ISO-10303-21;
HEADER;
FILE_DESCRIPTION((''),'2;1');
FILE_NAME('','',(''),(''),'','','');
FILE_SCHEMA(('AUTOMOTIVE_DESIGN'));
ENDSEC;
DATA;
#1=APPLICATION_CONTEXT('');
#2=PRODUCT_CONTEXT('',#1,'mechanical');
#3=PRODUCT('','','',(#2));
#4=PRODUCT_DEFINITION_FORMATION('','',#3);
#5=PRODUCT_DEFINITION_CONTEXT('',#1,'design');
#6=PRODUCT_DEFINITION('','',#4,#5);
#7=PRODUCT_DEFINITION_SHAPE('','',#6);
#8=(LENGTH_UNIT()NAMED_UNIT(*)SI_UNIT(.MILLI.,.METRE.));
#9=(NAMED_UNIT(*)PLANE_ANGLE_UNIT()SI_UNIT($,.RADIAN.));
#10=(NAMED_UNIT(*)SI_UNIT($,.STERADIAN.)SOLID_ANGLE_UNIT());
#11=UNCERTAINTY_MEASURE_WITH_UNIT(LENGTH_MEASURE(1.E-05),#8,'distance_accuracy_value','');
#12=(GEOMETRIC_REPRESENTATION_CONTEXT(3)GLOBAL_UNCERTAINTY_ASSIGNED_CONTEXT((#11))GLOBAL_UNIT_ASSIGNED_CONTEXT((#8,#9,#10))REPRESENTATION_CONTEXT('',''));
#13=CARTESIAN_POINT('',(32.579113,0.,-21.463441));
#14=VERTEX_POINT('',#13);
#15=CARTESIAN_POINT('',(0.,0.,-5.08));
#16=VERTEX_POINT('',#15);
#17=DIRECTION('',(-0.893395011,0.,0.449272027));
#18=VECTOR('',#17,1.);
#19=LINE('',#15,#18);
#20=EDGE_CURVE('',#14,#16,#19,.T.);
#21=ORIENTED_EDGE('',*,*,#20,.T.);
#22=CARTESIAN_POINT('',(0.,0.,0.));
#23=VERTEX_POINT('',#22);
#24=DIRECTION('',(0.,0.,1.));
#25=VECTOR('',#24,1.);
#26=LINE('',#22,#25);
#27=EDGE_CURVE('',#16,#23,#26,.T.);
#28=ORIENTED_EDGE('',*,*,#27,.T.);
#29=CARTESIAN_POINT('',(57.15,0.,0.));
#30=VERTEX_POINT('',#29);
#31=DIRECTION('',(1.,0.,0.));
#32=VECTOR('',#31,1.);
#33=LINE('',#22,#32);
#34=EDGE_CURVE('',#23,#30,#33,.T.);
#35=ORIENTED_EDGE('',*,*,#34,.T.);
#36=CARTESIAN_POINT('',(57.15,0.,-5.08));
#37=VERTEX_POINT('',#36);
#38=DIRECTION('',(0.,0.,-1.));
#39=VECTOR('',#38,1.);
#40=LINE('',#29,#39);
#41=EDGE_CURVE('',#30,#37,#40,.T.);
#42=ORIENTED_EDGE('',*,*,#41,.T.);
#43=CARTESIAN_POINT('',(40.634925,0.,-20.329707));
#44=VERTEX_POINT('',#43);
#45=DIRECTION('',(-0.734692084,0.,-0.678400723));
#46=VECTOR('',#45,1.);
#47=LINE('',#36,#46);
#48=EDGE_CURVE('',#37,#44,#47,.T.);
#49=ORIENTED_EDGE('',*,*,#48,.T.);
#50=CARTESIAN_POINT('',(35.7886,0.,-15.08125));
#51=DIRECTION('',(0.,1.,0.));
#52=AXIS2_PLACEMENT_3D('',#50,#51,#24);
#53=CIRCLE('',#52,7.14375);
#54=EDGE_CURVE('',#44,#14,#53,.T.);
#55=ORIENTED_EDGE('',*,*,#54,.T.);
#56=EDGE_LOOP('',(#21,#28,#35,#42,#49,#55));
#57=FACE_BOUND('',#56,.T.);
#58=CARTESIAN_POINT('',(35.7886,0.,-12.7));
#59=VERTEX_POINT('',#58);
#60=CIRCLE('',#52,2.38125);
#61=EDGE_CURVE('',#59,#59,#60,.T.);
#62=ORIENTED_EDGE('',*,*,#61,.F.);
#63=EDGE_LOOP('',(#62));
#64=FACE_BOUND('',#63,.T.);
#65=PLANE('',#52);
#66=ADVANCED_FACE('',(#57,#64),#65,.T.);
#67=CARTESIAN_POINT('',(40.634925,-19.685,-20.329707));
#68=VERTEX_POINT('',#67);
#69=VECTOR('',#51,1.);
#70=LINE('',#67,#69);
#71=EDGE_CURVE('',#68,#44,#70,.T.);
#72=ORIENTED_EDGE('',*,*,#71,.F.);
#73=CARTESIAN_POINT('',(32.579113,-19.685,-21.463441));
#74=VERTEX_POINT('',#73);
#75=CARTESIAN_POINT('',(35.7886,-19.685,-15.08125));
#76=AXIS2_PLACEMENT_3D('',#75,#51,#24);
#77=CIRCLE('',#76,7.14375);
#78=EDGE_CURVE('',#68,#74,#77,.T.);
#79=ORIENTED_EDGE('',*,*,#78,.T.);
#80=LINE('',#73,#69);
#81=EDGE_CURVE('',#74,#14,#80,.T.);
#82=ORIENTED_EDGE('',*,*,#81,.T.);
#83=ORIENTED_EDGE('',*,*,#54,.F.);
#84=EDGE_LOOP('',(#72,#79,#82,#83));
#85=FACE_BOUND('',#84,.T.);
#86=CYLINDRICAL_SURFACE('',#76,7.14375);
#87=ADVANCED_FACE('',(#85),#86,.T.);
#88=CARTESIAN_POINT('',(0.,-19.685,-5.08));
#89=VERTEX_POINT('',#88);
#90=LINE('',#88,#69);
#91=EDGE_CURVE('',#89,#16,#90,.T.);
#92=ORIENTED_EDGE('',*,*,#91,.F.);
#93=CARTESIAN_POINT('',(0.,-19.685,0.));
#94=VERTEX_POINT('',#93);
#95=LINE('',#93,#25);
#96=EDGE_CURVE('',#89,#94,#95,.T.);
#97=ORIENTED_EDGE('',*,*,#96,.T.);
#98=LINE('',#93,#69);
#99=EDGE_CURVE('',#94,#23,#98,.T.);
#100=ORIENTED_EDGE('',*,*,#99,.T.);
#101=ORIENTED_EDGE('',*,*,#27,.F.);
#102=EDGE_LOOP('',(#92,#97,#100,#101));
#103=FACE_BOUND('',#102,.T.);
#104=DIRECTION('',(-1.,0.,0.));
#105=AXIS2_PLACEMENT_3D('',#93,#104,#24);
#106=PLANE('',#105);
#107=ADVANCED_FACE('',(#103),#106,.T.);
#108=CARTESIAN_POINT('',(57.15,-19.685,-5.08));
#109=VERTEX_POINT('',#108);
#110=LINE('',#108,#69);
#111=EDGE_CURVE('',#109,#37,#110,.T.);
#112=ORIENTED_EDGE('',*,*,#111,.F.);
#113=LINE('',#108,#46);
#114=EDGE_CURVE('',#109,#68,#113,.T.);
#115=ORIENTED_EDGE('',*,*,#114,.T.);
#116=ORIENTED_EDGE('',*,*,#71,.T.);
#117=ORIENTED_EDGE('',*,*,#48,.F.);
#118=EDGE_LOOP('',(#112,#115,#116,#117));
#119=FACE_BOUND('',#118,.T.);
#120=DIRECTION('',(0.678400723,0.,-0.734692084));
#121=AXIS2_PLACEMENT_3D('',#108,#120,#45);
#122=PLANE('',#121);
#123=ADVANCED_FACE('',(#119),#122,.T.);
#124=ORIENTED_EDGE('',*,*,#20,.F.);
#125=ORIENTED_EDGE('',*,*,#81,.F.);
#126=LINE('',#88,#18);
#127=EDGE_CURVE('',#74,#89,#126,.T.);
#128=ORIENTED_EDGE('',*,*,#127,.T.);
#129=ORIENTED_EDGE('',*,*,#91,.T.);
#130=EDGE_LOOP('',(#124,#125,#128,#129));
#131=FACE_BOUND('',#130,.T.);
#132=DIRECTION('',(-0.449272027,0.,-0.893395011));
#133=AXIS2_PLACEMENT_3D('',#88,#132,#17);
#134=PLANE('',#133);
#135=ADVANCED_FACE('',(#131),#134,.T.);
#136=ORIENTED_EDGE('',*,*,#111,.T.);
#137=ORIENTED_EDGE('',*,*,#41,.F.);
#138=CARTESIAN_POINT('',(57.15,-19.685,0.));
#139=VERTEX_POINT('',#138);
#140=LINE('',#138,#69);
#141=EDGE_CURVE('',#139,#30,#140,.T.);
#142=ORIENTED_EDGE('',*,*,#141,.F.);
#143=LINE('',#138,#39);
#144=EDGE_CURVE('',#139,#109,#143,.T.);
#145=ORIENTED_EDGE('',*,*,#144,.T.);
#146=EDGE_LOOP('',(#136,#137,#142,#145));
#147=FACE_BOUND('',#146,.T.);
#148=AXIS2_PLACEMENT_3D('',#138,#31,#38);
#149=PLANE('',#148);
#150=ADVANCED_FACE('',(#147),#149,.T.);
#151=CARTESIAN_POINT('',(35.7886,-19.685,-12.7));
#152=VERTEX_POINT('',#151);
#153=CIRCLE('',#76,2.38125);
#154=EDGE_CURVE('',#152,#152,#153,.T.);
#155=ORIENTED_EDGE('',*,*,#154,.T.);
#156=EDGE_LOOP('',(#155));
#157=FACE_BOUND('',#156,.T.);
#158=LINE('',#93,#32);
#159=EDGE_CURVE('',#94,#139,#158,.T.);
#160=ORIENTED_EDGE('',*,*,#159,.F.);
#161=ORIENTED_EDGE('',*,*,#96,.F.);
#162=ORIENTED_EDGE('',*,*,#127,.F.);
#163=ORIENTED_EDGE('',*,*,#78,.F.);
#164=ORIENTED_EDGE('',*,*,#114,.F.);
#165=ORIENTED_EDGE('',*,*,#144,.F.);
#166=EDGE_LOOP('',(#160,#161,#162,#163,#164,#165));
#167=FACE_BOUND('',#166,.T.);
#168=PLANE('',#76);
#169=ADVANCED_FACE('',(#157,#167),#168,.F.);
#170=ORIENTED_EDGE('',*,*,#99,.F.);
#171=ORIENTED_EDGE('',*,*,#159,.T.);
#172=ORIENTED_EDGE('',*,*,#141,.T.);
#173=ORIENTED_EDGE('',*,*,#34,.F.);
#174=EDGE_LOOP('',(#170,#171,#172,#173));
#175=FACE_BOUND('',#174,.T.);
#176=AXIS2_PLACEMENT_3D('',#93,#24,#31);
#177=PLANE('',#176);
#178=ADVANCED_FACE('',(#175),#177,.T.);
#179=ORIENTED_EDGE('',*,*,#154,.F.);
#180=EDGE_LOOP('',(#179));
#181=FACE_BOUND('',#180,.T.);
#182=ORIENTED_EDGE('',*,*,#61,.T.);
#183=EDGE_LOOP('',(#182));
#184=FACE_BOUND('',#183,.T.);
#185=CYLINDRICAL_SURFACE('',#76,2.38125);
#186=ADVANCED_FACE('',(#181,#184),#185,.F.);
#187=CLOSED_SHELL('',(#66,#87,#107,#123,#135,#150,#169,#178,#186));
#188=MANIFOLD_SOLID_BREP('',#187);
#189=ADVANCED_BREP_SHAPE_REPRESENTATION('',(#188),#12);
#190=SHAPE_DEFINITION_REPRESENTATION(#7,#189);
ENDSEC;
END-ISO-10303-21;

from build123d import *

# Parameters (mm, degrees)
SKETCH1_R           = 2.38125
BOSS_EXTRUDE1_DEPTH = 19.685


with BuildPart() as part:
    # Sketch1 → Boss-Extrude1 (new body)
    with BuildSketch(Plane(origin=(0, 0, 0), x_dir=(1, 0, 0), z_dir=(0, 1, 0))):
        with BuildLine():
            Line((0, 5.08), (32.579112959, 21.463440611))
            ThreePointArc((32.579112959, 21.463440611), (36.78416415, 22.155288174), (40.634925166, 20.329706577))
            Line((40.634925166, 20.329706577), (57.15, 5.08))
            Line((57.15, 5.08), (57.15, 0))
            Line((57.15, 0), (0, 0))
            Line((0, 0), (0, 5.08))
        make_face()
        with Locations(Location((35.7886, 15.08125, 0), (0, 0, 270))):
            Circle(SKETCH1_R, mode=Mode.SUBTRACT)
    extrude(amount=-BOSS_EXTRUDE1_DEPTH)


solid = part.part
